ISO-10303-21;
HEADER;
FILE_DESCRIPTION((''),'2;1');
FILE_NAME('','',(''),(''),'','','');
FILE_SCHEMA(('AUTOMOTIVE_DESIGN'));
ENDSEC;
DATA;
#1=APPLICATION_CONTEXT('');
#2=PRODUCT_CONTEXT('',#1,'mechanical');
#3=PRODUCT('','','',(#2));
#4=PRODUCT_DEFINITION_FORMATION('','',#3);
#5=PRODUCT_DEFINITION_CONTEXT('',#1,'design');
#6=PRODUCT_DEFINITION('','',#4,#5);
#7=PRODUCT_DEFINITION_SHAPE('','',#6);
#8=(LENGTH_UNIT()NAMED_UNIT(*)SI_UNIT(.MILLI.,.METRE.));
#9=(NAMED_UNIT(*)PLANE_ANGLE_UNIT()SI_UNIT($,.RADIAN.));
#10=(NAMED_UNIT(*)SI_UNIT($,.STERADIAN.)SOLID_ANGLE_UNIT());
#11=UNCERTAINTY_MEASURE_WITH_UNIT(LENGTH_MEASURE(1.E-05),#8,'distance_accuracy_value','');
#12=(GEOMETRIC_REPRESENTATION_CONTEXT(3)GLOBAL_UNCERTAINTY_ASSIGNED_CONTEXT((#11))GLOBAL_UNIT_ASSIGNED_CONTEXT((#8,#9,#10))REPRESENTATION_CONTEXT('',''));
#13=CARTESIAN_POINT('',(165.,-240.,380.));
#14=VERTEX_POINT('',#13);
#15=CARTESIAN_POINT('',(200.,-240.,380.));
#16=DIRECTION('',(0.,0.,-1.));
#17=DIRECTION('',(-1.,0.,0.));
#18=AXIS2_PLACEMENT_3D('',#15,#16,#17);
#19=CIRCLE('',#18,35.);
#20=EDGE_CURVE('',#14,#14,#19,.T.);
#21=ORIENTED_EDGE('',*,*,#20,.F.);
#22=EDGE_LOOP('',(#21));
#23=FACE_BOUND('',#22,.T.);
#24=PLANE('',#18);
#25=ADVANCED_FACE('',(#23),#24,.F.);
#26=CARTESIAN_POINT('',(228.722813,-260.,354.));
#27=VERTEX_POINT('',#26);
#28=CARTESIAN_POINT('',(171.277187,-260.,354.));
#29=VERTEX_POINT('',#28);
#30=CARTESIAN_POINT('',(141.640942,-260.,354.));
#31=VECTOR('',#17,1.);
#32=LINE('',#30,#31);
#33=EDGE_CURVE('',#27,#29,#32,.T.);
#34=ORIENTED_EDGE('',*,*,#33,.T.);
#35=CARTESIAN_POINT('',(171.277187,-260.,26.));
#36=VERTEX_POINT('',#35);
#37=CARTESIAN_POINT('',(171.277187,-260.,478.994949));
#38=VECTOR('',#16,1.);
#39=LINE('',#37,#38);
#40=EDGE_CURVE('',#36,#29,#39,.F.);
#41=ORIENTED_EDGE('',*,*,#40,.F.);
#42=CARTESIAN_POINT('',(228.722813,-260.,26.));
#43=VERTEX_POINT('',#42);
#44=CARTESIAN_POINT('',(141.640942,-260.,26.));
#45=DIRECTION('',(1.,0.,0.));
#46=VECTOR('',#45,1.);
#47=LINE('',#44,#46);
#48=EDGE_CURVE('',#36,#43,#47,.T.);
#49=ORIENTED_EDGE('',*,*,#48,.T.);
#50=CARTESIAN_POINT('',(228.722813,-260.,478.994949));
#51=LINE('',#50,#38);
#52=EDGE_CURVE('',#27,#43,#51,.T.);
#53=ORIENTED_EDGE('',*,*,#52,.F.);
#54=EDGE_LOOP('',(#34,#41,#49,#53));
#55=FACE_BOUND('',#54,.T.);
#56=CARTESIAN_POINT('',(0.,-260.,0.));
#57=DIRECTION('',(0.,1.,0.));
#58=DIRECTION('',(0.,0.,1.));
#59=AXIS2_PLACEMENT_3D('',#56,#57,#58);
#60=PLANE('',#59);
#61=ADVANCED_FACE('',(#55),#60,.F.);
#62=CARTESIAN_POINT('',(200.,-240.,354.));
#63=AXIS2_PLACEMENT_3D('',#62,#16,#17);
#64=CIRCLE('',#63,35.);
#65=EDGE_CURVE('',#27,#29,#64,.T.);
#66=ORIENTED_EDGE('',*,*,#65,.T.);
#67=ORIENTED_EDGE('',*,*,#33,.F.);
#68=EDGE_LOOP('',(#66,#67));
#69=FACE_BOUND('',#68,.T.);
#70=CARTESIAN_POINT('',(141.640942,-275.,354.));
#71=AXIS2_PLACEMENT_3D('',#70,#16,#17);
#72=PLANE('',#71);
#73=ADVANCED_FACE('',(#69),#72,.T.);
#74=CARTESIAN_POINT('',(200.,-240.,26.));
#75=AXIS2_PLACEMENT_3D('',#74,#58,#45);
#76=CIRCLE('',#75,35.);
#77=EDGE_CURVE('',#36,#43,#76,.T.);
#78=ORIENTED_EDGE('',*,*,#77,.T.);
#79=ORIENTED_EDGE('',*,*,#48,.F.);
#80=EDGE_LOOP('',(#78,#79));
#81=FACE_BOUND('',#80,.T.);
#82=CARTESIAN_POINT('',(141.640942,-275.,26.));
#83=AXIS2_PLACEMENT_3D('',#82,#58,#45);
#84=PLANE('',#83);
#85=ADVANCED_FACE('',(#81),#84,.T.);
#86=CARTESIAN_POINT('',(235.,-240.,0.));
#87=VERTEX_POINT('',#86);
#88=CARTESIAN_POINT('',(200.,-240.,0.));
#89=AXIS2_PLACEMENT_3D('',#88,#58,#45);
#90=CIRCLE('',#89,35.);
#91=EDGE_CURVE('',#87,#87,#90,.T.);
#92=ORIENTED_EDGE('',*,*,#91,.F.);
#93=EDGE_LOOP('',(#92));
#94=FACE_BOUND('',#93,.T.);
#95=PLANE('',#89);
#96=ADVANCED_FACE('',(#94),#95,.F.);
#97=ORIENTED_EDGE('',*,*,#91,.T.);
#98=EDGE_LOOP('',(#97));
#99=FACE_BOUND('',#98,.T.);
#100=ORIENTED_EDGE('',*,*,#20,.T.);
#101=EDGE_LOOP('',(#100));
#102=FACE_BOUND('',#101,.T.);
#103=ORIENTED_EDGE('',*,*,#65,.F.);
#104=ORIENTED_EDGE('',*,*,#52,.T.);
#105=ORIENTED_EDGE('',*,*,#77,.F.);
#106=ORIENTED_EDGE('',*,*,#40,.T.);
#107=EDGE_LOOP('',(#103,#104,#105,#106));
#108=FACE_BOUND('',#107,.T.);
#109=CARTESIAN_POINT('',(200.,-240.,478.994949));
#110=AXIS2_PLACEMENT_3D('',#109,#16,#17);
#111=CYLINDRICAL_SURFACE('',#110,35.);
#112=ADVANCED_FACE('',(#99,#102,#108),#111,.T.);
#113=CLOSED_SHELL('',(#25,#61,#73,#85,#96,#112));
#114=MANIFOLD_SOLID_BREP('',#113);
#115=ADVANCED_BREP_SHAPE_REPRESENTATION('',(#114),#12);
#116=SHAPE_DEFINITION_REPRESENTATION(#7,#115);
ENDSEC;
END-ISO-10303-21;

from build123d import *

# Parameters (mm, degrees)
ESBO_O1_R                  = 35
RESSALTO_EXTRUS_O1_DEPTH   = 380
CORTE_EXTRUS_O1_DEPTH      = 452.497508299
CORTE_EXTRUS_O1_DEPTH_BACK = 10
ESBO_O2_W                  = 117.966438478
ESBO_O2_H                  = 328


with BuildPart() as part:
    # Esboço1 → Ressalto-extrusão1 (new body)
    with BuildSketch(Plane.XY):
        with Locations(Location((200, -240, 0), (0, 0, 180))):
            Circle(ESBO_O1_R)
    extrude(amount=RESSALTO_EXTRUS_O1_DEPTH)

    # Esboço2 → Corte-extrusão1 (cut, two sides: drawn at the far end of the back side and taken through both)
    with BuildSketch(Plane.XZ.offset(270).offset(-CORTE_EXTRUS_O1_DEPTH_BACK)):
        with Locations((200.62416105, 190)):
            Rectangle(ESBO_O2_W, ESBO_O2_H)
    extrude(amount=CORTE_EXTRUS_O1_DEPTH + CORTE_EXTRUS_O1_DEPTH_BACK, mode=Mode.SUBTRACT)


solid = part.part
